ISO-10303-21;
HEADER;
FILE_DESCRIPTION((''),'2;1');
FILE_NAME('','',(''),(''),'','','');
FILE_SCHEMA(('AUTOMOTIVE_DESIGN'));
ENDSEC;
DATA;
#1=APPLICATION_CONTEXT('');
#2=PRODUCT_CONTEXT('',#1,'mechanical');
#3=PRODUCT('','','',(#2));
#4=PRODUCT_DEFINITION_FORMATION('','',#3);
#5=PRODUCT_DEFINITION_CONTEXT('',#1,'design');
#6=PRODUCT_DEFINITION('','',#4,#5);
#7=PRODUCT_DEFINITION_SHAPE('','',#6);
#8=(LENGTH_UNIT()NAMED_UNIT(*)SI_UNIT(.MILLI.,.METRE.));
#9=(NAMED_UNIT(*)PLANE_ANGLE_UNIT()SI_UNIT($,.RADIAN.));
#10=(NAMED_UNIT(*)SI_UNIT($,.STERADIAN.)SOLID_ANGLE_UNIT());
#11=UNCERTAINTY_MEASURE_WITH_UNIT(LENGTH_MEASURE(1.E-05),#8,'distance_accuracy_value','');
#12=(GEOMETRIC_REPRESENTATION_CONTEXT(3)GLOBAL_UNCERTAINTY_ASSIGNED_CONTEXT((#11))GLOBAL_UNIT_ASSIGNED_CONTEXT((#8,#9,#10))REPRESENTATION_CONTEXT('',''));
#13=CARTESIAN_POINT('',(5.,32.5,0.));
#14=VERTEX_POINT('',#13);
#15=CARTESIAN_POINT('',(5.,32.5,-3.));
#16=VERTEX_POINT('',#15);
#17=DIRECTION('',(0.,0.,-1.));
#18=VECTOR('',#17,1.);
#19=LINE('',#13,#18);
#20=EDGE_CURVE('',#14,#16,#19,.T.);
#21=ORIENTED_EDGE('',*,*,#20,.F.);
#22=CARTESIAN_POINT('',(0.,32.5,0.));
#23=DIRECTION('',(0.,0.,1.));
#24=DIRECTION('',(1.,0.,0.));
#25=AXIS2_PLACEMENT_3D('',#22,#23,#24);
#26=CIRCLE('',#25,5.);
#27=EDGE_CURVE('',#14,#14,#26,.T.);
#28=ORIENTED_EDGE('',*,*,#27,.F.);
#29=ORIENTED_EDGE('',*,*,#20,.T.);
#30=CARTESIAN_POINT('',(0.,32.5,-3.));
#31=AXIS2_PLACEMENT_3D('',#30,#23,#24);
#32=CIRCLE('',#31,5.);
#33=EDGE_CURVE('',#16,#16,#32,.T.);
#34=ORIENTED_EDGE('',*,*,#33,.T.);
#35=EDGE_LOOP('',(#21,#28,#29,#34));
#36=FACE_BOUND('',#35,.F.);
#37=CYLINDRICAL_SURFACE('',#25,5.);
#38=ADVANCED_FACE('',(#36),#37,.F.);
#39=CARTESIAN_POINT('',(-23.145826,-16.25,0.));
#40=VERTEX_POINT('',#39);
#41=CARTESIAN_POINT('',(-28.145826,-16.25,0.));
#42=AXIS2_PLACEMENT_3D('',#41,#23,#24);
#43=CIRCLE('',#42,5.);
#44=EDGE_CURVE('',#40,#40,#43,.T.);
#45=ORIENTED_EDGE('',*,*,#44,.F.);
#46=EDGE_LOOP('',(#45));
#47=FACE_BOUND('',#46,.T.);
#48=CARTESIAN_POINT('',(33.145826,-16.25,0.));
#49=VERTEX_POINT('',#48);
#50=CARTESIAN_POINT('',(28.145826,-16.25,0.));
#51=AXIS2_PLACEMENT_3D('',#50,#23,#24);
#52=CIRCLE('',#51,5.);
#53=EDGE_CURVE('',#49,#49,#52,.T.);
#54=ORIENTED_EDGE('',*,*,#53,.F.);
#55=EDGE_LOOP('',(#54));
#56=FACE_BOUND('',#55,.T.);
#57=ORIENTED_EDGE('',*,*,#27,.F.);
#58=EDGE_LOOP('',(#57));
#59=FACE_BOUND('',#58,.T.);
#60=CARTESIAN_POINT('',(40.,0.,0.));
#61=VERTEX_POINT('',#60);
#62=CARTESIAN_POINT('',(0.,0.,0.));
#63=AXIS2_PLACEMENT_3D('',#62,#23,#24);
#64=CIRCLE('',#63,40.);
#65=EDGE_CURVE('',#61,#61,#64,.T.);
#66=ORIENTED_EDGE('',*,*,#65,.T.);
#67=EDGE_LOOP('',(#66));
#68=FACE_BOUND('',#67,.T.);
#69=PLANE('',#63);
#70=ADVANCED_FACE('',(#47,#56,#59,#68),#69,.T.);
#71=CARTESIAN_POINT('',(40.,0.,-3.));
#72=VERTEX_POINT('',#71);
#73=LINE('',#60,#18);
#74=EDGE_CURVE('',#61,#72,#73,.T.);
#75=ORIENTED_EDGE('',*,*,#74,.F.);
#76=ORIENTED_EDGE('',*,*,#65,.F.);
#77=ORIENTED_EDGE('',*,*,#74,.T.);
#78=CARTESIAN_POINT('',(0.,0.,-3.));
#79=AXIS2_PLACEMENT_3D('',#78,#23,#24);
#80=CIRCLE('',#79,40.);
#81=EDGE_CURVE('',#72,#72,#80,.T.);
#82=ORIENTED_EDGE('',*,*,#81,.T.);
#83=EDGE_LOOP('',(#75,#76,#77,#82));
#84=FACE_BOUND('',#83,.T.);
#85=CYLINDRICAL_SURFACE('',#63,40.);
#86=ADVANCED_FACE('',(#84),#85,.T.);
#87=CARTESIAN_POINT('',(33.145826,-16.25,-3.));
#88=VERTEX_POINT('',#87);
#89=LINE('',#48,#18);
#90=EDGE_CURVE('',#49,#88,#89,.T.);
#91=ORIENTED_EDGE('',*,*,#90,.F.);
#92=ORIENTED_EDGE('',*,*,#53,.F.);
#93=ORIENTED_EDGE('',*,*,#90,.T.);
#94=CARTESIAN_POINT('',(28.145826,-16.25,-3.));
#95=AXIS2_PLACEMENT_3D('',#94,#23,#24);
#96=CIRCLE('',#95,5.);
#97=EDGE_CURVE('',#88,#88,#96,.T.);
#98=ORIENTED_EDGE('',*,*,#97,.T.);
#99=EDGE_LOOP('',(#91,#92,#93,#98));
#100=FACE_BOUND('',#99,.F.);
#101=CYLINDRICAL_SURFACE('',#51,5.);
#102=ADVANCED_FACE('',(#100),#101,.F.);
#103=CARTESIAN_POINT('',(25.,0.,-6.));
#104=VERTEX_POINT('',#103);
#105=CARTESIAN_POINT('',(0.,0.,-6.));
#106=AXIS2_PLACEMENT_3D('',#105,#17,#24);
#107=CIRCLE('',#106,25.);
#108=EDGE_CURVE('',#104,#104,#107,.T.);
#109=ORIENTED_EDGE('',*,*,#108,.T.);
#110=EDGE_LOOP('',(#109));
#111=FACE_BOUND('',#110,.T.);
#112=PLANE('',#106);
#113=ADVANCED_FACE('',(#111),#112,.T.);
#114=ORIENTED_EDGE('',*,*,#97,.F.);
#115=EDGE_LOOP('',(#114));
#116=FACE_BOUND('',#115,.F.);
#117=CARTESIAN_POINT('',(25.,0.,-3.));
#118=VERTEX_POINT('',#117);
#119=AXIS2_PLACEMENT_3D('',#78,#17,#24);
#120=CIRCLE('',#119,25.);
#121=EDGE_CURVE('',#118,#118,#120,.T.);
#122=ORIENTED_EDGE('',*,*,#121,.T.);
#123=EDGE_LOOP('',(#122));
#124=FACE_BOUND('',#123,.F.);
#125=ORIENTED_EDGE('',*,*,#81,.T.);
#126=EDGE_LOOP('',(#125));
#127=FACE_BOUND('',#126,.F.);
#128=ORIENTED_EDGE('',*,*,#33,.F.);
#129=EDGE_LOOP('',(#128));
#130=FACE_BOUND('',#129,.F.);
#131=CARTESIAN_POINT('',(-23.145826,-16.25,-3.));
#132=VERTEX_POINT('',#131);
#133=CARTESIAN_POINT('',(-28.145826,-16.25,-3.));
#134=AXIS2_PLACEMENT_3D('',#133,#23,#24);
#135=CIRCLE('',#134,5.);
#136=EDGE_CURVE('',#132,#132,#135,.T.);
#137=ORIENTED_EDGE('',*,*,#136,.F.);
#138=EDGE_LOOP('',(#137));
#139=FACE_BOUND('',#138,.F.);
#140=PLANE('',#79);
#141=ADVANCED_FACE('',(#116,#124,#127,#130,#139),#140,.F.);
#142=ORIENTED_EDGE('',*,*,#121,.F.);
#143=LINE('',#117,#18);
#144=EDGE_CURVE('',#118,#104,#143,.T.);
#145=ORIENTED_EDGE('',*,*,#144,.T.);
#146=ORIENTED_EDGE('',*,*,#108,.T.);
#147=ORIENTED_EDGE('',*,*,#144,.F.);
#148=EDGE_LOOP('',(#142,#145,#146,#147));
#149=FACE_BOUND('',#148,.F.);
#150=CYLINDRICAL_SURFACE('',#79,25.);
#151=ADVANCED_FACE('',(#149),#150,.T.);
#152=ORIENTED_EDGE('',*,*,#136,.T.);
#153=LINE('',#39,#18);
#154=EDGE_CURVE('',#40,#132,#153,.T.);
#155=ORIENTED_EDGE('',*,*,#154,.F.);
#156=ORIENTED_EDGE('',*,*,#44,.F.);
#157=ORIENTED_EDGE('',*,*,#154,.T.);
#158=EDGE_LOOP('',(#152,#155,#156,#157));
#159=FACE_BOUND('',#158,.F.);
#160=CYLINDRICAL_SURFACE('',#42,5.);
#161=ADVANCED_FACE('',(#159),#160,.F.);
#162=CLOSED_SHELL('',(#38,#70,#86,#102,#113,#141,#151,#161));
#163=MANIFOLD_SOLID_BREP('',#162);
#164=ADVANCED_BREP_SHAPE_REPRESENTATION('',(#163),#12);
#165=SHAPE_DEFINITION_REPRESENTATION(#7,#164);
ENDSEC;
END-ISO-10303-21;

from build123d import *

# Parameters (mm, degrees)
F0_R     = 40
F1_DEPTH = 3
F2_R     = 5
F3_DEPTH = 25
F4_R     = 25
F5_DEPTH = 3


with BuildPart() as f1:
    # F0 (on Top) → F1 (new body)
    with BuildSketch(Plane.XY):
        Circle(F0_R)
    extrude(amount=-F1_DEPTH)

    # F2 (on Top) → F3 (cut)
    with BuildSketch(Plane.XY):
        with Locations((0, 32.5)):
            Circle(F2_R)
        with Locations((-28.145826, -16.25)):
            Circle(F2_R)
        with Locations((28.145826, -16.25)):
            Circle(F2_R)
    extrude(amount=-F3_DEPTH, mode=Mode.SUBTRACT)

    # F4 (on face) → F5 (join)
    with BuildSketch(Plane(origin=(0, 0, -3), x_dir=(1, 0, 0), z_dir=(0, 0, -1))):
        Circle(F4_R)
    extrude(amount=F5_DEPTH)


solid = f1.part
